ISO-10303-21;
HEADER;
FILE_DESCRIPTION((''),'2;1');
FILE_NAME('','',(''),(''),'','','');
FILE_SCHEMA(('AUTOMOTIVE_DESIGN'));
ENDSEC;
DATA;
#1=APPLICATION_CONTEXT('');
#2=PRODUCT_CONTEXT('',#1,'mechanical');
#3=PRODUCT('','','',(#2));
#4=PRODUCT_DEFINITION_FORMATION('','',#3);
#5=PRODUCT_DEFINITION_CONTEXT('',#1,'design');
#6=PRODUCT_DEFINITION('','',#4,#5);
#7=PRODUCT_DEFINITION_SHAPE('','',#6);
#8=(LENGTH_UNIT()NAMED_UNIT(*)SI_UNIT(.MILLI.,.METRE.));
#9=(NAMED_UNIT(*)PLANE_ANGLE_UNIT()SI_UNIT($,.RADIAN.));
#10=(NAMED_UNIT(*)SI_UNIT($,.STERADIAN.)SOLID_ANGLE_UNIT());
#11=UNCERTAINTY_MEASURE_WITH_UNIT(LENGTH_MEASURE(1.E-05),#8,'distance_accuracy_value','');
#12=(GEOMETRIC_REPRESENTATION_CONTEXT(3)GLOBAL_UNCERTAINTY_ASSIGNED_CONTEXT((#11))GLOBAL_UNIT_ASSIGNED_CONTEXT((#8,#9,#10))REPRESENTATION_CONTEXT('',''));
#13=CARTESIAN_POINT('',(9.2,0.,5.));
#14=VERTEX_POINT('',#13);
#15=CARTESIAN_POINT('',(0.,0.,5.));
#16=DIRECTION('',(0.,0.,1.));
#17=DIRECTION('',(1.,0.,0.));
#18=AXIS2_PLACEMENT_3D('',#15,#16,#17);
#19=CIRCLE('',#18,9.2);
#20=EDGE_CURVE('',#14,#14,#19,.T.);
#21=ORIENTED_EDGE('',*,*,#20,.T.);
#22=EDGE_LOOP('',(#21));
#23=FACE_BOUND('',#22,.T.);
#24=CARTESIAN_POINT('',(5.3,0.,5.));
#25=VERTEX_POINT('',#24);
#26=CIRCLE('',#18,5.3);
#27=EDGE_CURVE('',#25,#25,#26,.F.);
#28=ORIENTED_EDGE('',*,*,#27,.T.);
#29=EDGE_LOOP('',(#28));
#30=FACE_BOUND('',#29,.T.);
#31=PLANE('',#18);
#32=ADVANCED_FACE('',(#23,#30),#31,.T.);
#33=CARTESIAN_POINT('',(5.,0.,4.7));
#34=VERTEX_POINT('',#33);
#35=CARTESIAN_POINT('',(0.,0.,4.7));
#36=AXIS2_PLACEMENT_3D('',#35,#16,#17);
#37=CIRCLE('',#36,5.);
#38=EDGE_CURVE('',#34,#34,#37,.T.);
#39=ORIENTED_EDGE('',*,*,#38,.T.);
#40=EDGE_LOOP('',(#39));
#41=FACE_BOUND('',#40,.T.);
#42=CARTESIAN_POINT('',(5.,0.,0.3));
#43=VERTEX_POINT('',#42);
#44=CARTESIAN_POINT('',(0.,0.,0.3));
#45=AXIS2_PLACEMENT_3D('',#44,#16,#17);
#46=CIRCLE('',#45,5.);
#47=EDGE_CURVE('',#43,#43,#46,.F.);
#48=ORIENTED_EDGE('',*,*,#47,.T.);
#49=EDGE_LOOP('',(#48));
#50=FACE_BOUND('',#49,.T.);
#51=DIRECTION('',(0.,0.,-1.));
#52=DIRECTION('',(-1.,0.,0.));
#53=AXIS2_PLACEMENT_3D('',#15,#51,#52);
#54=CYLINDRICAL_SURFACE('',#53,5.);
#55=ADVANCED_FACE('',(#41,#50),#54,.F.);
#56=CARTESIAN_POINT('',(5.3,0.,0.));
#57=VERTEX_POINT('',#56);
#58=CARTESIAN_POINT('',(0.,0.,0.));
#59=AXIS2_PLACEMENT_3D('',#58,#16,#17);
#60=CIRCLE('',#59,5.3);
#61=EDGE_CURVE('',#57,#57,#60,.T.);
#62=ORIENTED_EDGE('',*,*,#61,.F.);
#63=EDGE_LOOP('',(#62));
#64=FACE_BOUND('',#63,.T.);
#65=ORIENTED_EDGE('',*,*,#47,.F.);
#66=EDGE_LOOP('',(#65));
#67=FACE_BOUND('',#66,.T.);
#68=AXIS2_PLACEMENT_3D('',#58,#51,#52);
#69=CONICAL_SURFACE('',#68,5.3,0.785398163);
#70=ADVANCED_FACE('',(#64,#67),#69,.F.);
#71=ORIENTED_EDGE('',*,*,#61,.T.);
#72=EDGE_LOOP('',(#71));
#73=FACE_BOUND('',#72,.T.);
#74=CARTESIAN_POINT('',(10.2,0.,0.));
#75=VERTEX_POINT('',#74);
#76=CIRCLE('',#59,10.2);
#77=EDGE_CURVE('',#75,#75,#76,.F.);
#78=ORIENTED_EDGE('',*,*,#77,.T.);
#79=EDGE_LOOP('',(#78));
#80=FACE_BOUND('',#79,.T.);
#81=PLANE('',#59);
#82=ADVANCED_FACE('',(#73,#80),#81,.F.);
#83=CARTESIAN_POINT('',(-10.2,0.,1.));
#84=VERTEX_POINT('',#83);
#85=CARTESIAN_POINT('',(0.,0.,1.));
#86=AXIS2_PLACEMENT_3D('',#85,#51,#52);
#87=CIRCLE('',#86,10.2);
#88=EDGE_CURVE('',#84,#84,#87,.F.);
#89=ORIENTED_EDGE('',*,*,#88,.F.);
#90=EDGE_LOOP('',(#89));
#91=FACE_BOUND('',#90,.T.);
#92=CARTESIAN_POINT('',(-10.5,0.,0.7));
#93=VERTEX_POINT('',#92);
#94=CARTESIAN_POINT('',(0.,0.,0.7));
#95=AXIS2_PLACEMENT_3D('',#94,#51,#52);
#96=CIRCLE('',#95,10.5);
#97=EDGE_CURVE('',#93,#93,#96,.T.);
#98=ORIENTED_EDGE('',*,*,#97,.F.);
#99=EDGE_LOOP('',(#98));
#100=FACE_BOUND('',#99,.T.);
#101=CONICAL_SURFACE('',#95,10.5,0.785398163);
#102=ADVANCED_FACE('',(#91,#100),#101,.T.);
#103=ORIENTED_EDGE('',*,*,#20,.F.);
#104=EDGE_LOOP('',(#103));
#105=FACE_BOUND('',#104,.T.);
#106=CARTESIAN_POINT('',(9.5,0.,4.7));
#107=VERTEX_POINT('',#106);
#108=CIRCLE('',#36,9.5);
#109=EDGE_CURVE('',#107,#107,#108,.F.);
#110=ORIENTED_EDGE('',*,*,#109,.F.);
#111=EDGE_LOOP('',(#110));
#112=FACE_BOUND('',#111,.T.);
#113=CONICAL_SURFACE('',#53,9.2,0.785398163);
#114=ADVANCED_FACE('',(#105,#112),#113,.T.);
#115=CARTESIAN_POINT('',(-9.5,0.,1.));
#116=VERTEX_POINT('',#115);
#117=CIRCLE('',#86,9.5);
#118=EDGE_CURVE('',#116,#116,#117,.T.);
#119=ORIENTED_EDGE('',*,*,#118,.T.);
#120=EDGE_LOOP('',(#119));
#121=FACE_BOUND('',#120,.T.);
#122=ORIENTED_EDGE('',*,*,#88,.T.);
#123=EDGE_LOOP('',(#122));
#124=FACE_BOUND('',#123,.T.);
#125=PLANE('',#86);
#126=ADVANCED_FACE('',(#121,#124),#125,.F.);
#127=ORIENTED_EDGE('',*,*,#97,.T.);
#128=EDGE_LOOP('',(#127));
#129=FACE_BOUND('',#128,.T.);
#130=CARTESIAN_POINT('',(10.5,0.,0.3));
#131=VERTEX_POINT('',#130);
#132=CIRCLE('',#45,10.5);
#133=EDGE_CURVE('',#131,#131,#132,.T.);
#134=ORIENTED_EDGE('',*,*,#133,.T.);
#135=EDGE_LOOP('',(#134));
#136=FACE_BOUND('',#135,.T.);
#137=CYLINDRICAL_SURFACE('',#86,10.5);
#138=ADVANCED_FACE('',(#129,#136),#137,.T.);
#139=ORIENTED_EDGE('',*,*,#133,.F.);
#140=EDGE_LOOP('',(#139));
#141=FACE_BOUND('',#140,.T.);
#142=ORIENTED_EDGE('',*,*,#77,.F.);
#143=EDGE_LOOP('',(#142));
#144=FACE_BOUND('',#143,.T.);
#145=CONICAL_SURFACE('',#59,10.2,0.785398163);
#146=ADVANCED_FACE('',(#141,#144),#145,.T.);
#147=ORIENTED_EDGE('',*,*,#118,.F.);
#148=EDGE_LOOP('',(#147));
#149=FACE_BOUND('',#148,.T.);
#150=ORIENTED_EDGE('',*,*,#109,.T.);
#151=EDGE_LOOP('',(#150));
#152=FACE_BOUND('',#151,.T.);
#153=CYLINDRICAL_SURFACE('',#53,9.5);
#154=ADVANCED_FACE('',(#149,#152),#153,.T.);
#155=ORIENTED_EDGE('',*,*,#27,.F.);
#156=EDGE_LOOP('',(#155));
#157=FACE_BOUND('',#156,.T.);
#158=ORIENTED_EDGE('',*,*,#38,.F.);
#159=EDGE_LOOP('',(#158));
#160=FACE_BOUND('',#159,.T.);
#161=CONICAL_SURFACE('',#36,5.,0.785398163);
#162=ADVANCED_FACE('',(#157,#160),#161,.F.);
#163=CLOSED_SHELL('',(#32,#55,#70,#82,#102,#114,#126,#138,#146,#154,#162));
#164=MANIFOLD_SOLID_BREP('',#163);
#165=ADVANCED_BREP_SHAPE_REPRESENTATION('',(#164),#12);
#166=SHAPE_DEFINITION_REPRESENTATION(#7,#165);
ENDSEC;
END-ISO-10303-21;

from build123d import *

# Parameters (mm, degrees)
SKETCH_1_R      = 9.5
SKETCH_1_R_2    = 5
EXTRUDE_1_DEPTH = 5
SKETCH_2_R      = 10.5
SKETCH_2_R_2    = 9.5
EXTRUDE_2_DEPTH = 1
CHAMFER_1_SIZE  = 0.3


with BuildPart() as part:
    # 草图1 → 凸台-拉伸1 (new body)
    with BuildSketch(Plane.XY):
        Circle(SKETCH_1_R)
        Circle(SKETCH_1_R_2, mode=Mode.SUBTRACT)
    extrude(amount=EXTRUDE_1_DEPTH)

    # 草图2 → 凸台-拉伸2 (add)
    with BuildSketch(Plane(origin=(0, 0, 0), x_dir=(-1, 0, 0), z_dir=(0, 0, -1))):
        Circle(SKETCH_2_R)
        Circle(SKETCH_2_R_2, mode=Mode.SUBTRACT)
    extrude(amount=-EXTRUDE_2_DEPTH)

    # 倒角1
    chamfer_1_edges = [part.edges().sort_by_distance(p)[0] for p in [
        (10.5, 0, 1),
        (10.5, 0, 0),
        (-9.5, 0, 5),
        (-5, 0, 0),
        (-5, 0, 5),
    ]]
    chamfer(chamfer_1_edges, length=CHAMFER_1_SIZE)


solid = part.part
